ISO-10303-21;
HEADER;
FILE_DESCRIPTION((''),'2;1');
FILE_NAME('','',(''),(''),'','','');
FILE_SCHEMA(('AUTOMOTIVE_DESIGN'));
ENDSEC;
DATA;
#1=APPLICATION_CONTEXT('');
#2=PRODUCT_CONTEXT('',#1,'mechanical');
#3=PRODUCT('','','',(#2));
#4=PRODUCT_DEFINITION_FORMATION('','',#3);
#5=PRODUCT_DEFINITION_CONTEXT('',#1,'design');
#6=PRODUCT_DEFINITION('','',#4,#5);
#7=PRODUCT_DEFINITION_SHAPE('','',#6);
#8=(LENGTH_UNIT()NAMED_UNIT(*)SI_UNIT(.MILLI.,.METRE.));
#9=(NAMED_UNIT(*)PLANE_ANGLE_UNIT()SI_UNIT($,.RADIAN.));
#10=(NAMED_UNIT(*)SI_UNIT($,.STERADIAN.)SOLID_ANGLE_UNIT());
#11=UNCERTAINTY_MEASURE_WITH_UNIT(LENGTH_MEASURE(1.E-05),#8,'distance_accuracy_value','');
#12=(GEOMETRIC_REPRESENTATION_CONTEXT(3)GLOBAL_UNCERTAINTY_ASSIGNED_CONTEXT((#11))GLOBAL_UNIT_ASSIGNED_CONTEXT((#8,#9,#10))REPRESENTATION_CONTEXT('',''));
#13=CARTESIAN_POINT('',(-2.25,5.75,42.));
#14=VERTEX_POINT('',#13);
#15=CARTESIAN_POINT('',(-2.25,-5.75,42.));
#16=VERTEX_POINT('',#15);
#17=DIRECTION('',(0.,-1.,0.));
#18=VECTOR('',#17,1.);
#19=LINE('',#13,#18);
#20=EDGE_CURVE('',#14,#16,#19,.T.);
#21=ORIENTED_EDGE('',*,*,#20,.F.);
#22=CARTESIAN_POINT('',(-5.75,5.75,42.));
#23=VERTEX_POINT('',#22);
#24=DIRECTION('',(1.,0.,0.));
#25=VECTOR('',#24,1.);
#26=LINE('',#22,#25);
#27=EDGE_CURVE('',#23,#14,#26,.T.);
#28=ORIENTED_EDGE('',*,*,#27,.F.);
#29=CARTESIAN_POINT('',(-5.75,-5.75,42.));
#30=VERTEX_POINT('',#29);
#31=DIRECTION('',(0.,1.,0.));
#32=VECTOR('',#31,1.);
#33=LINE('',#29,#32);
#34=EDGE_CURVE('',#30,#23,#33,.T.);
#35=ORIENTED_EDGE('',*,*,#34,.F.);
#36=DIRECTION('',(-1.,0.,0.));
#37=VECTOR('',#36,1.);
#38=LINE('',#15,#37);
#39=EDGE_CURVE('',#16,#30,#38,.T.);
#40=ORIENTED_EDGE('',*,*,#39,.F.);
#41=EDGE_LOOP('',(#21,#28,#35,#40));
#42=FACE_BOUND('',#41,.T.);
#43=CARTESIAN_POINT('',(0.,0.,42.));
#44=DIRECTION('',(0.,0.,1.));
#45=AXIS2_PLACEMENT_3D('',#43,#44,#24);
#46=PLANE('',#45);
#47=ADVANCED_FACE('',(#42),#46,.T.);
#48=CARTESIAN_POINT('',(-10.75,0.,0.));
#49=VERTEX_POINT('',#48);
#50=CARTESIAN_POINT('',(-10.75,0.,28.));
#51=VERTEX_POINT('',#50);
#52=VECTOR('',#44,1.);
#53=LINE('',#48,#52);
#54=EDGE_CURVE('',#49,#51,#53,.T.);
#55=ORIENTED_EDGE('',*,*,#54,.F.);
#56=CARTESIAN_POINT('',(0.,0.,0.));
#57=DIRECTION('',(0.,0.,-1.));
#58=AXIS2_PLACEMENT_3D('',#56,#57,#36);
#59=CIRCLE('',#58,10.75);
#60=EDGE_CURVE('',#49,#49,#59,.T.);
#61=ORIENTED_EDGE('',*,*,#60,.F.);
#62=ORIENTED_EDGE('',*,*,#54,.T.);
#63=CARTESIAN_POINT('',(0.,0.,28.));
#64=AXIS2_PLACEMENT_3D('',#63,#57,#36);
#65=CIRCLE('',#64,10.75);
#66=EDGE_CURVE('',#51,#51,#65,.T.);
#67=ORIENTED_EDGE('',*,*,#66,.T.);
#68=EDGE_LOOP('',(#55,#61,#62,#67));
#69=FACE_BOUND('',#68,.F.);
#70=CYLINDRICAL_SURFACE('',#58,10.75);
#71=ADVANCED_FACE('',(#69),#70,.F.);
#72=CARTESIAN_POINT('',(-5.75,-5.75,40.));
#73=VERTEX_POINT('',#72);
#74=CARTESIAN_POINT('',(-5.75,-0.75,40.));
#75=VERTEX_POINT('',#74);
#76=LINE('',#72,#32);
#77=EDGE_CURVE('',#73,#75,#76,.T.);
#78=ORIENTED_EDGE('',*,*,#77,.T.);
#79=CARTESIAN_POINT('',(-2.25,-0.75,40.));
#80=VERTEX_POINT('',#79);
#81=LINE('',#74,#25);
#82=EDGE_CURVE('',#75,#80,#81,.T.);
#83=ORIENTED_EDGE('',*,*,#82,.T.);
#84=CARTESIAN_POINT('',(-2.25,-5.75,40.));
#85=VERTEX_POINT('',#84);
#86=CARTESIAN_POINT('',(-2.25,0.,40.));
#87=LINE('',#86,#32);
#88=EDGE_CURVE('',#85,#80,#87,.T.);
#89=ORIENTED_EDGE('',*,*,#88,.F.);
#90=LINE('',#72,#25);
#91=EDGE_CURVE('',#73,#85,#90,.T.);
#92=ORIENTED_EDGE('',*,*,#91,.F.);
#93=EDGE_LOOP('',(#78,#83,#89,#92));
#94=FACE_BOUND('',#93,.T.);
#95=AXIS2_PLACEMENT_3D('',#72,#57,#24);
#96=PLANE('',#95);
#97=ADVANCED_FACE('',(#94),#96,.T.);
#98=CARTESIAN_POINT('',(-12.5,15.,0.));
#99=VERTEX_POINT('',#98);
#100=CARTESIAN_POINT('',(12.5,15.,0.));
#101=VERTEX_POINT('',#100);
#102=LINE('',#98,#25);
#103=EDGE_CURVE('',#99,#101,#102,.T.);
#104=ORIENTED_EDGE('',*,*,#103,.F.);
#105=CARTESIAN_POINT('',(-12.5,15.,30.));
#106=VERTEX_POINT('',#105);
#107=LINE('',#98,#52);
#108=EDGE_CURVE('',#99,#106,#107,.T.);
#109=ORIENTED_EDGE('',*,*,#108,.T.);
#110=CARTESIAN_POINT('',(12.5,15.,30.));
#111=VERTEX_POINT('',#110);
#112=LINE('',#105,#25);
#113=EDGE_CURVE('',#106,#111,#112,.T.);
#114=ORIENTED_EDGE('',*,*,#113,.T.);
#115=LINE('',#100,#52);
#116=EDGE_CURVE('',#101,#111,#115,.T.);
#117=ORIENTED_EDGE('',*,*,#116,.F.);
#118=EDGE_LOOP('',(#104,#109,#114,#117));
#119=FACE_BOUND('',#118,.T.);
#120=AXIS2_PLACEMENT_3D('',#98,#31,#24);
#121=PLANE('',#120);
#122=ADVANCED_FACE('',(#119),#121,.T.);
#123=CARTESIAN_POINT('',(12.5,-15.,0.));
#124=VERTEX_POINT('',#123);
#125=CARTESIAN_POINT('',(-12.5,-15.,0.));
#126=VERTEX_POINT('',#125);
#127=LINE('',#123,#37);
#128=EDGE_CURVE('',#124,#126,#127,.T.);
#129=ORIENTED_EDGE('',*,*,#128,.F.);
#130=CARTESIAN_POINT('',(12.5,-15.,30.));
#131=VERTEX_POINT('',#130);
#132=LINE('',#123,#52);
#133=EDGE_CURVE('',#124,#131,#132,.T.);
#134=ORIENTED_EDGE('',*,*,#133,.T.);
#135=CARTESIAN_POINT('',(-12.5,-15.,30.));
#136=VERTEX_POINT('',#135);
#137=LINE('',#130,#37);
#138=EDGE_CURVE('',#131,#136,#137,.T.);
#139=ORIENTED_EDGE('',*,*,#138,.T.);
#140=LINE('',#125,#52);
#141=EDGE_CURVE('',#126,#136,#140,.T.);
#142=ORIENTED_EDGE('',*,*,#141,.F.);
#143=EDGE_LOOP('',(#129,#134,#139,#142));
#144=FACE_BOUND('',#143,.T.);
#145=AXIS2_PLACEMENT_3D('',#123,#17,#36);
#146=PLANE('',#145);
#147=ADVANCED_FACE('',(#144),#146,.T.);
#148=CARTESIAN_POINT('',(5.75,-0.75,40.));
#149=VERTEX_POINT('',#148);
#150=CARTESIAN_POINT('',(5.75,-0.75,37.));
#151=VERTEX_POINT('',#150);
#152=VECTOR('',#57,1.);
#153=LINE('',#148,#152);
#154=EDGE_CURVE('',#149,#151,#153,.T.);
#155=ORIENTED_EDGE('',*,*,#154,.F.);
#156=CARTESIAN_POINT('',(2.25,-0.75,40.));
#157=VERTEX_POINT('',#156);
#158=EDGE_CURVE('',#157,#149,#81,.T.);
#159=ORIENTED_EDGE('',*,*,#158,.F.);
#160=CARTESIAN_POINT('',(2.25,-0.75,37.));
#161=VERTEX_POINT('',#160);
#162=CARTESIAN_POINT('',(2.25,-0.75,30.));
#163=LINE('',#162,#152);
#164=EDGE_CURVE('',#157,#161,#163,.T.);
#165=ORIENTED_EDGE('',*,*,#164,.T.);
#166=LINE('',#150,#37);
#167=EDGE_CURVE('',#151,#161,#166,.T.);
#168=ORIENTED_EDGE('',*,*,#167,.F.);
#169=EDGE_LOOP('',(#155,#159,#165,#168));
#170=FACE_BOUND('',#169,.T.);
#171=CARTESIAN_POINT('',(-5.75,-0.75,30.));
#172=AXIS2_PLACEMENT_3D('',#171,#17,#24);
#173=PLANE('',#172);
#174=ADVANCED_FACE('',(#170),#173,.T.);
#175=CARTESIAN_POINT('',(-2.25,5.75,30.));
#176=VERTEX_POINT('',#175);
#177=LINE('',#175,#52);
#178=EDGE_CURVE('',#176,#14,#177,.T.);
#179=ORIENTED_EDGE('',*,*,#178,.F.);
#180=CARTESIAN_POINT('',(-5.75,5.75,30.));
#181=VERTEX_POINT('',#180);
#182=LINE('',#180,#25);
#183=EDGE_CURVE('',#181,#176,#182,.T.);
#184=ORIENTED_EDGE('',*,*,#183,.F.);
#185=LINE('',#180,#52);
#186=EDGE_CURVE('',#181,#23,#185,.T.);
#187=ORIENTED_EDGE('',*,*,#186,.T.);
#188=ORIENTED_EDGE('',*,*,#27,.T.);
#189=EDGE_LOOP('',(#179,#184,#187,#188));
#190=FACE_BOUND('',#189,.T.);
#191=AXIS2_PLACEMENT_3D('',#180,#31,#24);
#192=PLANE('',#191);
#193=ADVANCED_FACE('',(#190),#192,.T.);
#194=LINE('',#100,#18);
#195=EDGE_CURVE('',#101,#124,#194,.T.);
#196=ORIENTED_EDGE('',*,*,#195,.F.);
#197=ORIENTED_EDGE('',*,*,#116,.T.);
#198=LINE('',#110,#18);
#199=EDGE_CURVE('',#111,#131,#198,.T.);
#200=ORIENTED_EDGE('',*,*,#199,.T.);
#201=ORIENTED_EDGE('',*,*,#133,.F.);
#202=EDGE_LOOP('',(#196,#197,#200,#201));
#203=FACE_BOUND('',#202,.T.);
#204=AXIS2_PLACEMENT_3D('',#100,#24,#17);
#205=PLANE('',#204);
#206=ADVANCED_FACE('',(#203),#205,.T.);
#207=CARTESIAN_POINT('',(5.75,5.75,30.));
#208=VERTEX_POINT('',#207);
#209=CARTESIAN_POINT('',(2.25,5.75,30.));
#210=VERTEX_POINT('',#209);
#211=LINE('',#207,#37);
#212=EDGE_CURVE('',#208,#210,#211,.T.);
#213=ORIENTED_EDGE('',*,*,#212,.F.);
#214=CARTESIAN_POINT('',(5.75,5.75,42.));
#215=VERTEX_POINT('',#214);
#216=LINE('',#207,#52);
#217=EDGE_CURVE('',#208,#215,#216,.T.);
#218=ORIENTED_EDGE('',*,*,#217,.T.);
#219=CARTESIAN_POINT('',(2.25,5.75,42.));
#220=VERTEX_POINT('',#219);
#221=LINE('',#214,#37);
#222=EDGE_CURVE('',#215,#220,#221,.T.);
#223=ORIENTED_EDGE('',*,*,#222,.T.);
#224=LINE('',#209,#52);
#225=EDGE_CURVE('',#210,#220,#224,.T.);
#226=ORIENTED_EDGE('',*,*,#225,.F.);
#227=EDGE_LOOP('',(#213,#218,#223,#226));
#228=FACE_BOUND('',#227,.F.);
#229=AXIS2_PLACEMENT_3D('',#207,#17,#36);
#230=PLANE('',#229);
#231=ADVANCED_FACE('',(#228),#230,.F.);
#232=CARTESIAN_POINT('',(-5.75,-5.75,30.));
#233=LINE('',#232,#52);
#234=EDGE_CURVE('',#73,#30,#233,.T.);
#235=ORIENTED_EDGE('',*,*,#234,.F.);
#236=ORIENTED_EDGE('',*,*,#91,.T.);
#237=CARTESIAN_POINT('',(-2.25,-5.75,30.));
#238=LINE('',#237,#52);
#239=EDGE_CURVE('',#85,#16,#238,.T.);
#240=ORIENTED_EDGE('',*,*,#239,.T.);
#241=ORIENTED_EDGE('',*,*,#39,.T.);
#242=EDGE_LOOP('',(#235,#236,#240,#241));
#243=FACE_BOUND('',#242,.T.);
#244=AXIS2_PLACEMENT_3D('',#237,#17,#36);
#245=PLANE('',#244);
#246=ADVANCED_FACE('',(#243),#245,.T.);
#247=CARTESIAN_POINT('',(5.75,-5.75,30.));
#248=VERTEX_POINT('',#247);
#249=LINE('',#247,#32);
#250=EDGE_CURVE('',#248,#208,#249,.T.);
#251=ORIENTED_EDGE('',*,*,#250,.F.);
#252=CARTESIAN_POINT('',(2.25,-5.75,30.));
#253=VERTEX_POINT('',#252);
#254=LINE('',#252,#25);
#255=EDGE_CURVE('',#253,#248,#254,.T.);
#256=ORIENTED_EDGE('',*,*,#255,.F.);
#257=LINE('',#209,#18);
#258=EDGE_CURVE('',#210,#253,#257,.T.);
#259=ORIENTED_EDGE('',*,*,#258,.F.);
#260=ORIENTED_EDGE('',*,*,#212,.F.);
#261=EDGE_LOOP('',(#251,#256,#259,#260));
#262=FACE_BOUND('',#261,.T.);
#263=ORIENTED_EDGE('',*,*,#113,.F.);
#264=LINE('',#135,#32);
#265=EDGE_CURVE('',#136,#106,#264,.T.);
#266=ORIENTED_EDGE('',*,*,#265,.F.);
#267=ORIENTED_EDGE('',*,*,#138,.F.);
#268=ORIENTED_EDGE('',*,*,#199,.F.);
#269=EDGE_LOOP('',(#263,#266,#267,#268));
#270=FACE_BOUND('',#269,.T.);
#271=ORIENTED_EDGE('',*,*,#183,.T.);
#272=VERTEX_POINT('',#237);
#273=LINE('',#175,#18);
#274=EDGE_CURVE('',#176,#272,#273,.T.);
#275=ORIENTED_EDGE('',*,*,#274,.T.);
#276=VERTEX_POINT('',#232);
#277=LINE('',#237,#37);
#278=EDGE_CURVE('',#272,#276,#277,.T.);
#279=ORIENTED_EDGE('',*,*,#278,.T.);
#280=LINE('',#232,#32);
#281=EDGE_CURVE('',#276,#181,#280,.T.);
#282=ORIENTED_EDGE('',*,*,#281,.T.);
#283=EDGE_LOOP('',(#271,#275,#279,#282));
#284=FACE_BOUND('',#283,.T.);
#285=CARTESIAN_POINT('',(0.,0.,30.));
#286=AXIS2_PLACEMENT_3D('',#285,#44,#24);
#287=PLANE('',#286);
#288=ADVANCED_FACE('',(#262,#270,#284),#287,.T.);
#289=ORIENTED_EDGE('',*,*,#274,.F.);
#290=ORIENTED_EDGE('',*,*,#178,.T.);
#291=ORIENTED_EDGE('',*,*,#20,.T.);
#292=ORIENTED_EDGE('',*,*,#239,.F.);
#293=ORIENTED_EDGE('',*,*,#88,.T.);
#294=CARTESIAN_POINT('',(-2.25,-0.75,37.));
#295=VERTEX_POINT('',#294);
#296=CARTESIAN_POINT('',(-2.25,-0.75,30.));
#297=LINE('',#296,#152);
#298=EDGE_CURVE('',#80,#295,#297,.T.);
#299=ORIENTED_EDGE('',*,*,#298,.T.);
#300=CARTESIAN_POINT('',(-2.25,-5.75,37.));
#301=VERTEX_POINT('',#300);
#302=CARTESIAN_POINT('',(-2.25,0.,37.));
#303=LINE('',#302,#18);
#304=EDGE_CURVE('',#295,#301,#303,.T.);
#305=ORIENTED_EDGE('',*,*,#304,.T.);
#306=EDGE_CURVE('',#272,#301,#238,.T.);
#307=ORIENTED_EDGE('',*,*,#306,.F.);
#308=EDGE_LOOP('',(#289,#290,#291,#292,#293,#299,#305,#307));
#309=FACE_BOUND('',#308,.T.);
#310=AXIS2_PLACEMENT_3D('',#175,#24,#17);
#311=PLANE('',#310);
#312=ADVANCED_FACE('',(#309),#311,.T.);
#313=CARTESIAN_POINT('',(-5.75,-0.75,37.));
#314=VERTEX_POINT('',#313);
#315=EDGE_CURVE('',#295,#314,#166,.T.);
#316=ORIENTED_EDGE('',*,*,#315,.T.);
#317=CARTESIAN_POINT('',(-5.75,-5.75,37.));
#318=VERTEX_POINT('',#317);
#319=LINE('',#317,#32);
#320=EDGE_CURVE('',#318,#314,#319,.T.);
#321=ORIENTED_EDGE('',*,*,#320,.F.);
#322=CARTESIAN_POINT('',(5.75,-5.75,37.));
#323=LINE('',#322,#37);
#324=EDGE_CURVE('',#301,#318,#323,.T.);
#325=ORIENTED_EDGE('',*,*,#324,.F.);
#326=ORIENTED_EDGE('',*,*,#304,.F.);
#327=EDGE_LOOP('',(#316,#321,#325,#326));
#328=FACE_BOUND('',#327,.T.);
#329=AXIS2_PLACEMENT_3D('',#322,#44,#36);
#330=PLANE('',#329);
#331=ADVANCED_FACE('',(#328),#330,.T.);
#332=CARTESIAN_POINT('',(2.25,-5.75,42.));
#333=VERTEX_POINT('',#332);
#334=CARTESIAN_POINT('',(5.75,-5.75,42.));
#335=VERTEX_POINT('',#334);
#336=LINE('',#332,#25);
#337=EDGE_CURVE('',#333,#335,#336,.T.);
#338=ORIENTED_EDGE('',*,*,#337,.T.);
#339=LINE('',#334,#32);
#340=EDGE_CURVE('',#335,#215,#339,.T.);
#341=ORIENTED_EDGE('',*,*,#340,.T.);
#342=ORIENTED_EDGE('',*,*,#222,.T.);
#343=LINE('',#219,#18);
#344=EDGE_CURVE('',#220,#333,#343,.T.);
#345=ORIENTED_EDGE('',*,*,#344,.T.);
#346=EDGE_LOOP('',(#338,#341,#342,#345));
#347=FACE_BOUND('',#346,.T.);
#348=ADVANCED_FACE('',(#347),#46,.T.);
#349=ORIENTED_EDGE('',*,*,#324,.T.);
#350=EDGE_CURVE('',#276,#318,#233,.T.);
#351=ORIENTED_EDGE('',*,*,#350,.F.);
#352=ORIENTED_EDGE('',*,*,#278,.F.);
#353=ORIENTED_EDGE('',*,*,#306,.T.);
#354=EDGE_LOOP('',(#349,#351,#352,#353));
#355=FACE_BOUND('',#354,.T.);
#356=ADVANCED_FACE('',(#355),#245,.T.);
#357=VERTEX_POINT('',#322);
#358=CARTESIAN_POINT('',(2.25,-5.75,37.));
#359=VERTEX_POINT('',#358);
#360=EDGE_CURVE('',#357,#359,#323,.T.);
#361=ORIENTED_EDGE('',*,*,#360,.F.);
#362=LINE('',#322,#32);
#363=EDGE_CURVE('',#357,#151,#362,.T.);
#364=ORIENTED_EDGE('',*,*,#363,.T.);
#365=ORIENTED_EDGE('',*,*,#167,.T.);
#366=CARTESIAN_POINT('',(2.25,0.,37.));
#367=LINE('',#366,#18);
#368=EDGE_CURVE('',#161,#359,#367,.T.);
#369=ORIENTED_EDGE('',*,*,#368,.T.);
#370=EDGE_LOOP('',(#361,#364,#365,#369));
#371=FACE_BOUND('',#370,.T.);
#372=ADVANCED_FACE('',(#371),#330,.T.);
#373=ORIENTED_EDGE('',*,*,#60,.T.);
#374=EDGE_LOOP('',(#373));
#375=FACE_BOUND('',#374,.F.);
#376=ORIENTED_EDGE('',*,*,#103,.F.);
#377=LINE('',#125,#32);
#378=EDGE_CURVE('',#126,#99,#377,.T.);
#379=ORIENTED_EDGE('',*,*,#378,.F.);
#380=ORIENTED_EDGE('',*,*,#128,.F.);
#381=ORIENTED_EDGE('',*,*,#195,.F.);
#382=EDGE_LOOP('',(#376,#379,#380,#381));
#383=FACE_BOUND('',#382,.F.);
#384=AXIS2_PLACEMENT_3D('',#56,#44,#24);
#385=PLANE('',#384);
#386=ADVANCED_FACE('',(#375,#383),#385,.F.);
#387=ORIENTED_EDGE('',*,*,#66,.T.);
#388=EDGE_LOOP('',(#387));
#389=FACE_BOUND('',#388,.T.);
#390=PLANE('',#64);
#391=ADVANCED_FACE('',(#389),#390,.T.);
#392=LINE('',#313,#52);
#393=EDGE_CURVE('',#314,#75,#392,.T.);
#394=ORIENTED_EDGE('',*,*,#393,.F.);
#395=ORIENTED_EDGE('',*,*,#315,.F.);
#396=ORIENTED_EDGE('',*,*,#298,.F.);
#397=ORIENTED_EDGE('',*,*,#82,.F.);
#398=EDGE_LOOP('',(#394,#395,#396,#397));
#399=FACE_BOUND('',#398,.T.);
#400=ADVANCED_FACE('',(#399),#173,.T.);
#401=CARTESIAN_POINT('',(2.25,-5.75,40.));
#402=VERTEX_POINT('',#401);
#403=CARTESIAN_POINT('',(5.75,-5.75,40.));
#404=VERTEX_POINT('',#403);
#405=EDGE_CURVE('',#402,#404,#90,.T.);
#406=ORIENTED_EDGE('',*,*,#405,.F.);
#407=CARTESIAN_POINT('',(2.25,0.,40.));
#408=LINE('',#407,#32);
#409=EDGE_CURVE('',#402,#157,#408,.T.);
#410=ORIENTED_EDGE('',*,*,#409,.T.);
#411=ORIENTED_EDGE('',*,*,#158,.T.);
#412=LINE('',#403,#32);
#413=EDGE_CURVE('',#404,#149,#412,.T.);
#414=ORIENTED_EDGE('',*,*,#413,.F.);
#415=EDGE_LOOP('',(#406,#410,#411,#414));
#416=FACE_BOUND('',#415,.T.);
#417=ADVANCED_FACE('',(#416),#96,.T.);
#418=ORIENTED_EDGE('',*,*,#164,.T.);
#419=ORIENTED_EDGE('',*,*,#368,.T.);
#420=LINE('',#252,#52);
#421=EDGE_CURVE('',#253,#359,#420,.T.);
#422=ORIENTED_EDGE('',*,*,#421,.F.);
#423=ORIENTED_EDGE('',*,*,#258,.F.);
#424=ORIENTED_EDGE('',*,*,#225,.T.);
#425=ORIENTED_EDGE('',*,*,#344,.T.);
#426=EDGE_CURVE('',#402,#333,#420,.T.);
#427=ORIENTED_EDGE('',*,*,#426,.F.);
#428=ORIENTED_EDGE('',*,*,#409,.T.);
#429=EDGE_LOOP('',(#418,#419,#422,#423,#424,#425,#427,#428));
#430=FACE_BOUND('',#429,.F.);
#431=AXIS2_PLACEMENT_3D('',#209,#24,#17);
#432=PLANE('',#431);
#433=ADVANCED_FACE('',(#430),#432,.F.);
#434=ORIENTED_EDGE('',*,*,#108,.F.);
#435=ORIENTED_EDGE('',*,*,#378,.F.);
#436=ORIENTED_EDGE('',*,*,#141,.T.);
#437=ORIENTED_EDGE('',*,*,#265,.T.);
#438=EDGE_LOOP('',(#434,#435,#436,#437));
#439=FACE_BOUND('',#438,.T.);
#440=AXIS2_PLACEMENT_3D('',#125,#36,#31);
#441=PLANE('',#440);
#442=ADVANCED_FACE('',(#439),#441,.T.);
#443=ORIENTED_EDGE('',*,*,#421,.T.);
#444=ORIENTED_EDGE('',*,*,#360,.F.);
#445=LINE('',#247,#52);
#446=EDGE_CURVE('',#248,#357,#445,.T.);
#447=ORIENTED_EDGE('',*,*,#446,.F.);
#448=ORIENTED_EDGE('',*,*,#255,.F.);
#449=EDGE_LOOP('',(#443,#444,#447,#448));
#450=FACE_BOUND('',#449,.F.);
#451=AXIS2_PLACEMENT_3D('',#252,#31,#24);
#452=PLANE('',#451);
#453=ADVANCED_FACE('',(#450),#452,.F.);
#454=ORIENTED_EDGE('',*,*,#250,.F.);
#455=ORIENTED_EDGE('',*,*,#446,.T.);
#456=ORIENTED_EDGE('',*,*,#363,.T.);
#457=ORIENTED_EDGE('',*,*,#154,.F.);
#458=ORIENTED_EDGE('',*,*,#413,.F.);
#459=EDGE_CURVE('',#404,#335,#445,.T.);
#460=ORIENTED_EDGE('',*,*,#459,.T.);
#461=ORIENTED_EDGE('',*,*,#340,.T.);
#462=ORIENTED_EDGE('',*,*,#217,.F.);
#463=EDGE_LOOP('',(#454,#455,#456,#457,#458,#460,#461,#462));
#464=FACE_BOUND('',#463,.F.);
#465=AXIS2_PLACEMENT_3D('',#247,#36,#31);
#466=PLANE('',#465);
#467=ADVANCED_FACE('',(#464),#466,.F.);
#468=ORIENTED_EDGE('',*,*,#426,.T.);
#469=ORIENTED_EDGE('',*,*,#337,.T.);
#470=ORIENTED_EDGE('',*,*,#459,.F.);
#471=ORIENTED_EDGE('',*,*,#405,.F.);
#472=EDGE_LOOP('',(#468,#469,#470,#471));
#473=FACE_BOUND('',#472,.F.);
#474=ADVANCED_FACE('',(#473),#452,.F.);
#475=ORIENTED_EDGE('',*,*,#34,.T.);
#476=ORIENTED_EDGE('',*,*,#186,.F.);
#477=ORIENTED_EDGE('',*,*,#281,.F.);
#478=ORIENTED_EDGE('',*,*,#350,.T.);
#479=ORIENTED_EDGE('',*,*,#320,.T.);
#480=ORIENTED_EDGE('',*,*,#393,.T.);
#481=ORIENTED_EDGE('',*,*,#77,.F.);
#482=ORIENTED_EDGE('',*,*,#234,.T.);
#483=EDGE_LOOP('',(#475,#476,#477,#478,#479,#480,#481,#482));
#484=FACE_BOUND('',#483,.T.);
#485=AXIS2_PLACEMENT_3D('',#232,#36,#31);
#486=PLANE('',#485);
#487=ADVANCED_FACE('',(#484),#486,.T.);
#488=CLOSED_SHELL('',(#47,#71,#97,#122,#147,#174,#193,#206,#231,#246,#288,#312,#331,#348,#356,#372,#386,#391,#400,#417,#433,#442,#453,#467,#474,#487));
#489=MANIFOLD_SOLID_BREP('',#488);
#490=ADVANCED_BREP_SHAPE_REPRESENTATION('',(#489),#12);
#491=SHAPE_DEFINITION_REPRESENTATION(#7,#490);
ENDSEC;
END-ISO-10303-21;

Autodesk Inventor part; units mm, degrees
ref_plane "YZ Plane" through (0, 0, 0) normal (1, 0, 0) x (0, 1, 0)
ref_plane "XZ Plane" through (0, 0, 0) normal (0, 1, 0) x (-1, 0, 0)
ref_plane "XY Plane" through (0, 0, 0) normal (0, 0, 1) x (1, 0, 0)
sketch "Sketch12" plane through (0, 0, 0) normal (0, 0, 1) x (1, 0, 0)
  line L0 (-12.5, 15) -> (12.5, 15)
  line L1 (12.5, 15) -> (12.5, -15)
  line L2 (12.5, -15) -> (-12.5, -15)
  line L3 (-12.5, -15) -> (-12.5, 15)
  line L4 (-12.5, 15) -> (12.5, -15) construction
  line L5 (12.5, 15) -> (-12.5, -15) construction
  point P0 (0, 0)
  dimension "d48" = 25
  dimension "d49" = 30
extrude "Extrusion12" add sketch "Sketch12" along normal blind 30
sketch "Sketch14" plane through (0, 0, 0) normal (0, 0, -1) x (-1, 0, 0)
  circle A0 centre (0, 0) radius 10.75
  dimension "d71" = 21.5
extrude "Extrusion14" cut sketch "Sketch14" against normal blind 28
sketch "Sketch15" plane through (0, 0, 30) normal (0, 0, 1) x (1, 0, 0)
  line L0 (5.75, 5.75) -> (-5.75, 5.75) construction
  line L1 (-5.75, 5.75) -> (-5.75, -5.75) construction
  line L2 (-5.75, -5.75) -> (5.75, -5.75) construction
  line L3 (5.75, -5.75) -> (5.75, 5.75) construction
  line L4 (5.75, 5.75) -> (-5.75, -5.75) construction
  line L5 (-5.75, 5.75) -> (5.75, -5.75) construction
  line L6 (5.75, 5.75) -> (2.25, 5.75)
  line L7 (2.25, 5.75) -> (2.25, -5.75)
  line L8 (2.25, -5.75) -> (5.75, -5.75)
  line L9 (5.75, -5.75) -> (5.75, 5.75)
  line L10 (-5.75, 5.75) -> (-2.25, 5.75)
  line L11 (-2.25, 5.75) -> (-2.25, -5.75)
  line L12 (-2.25, -5.75) -> (-5.75, -5.75)
  line L13 (-5.75, -5.75) -> (-5.75, 5.75)
  point P0 (0, 0)
  dimension "d74" = 11.5
  dimension "d75" = 11.5
  dimension "d76" = 3.5
  dimension "d78" = 3.5
extrude "Extrusion15" add sketch "Sketch15" along normal blind 12
sketch "Sketch16" plane through (-5.75, -5.75, 30) normal (0, -1, 0) x (1, 0, 0)
  line L0 (8, 0) -> (11.5, 0) construction
  line L1 (8, 0) -> (8, 12) construction
  line L2 (11.5, 12) -> (8, 12) construction
  line L3 (11.5, 0) -> (11.5, 12) construction
  line L4 (0, 0) -> (3.5, 0) construction
  line L5 (0, 0) -> (0, 12) construction
  line L6 (3.5, 12) -> (0, 12) construction
  line L7 (3.5, 0) -> (3.5, 12) construction
  line L8 (0, 10) -> (11.5, 10)
  line L9 (11.5, 10) -> (11.5, 7)
  line L10 (11.5, 7) -> (0, 7)
  line L11 (0, 7) -> (0, 10)
  point P0 (5.75, -30)
  dimension "d82" = 2
  dimension "d83" = 3
extrude "Extrusion16" cut sketch "Sketch16" against normal blind 5
properties part number "base"
